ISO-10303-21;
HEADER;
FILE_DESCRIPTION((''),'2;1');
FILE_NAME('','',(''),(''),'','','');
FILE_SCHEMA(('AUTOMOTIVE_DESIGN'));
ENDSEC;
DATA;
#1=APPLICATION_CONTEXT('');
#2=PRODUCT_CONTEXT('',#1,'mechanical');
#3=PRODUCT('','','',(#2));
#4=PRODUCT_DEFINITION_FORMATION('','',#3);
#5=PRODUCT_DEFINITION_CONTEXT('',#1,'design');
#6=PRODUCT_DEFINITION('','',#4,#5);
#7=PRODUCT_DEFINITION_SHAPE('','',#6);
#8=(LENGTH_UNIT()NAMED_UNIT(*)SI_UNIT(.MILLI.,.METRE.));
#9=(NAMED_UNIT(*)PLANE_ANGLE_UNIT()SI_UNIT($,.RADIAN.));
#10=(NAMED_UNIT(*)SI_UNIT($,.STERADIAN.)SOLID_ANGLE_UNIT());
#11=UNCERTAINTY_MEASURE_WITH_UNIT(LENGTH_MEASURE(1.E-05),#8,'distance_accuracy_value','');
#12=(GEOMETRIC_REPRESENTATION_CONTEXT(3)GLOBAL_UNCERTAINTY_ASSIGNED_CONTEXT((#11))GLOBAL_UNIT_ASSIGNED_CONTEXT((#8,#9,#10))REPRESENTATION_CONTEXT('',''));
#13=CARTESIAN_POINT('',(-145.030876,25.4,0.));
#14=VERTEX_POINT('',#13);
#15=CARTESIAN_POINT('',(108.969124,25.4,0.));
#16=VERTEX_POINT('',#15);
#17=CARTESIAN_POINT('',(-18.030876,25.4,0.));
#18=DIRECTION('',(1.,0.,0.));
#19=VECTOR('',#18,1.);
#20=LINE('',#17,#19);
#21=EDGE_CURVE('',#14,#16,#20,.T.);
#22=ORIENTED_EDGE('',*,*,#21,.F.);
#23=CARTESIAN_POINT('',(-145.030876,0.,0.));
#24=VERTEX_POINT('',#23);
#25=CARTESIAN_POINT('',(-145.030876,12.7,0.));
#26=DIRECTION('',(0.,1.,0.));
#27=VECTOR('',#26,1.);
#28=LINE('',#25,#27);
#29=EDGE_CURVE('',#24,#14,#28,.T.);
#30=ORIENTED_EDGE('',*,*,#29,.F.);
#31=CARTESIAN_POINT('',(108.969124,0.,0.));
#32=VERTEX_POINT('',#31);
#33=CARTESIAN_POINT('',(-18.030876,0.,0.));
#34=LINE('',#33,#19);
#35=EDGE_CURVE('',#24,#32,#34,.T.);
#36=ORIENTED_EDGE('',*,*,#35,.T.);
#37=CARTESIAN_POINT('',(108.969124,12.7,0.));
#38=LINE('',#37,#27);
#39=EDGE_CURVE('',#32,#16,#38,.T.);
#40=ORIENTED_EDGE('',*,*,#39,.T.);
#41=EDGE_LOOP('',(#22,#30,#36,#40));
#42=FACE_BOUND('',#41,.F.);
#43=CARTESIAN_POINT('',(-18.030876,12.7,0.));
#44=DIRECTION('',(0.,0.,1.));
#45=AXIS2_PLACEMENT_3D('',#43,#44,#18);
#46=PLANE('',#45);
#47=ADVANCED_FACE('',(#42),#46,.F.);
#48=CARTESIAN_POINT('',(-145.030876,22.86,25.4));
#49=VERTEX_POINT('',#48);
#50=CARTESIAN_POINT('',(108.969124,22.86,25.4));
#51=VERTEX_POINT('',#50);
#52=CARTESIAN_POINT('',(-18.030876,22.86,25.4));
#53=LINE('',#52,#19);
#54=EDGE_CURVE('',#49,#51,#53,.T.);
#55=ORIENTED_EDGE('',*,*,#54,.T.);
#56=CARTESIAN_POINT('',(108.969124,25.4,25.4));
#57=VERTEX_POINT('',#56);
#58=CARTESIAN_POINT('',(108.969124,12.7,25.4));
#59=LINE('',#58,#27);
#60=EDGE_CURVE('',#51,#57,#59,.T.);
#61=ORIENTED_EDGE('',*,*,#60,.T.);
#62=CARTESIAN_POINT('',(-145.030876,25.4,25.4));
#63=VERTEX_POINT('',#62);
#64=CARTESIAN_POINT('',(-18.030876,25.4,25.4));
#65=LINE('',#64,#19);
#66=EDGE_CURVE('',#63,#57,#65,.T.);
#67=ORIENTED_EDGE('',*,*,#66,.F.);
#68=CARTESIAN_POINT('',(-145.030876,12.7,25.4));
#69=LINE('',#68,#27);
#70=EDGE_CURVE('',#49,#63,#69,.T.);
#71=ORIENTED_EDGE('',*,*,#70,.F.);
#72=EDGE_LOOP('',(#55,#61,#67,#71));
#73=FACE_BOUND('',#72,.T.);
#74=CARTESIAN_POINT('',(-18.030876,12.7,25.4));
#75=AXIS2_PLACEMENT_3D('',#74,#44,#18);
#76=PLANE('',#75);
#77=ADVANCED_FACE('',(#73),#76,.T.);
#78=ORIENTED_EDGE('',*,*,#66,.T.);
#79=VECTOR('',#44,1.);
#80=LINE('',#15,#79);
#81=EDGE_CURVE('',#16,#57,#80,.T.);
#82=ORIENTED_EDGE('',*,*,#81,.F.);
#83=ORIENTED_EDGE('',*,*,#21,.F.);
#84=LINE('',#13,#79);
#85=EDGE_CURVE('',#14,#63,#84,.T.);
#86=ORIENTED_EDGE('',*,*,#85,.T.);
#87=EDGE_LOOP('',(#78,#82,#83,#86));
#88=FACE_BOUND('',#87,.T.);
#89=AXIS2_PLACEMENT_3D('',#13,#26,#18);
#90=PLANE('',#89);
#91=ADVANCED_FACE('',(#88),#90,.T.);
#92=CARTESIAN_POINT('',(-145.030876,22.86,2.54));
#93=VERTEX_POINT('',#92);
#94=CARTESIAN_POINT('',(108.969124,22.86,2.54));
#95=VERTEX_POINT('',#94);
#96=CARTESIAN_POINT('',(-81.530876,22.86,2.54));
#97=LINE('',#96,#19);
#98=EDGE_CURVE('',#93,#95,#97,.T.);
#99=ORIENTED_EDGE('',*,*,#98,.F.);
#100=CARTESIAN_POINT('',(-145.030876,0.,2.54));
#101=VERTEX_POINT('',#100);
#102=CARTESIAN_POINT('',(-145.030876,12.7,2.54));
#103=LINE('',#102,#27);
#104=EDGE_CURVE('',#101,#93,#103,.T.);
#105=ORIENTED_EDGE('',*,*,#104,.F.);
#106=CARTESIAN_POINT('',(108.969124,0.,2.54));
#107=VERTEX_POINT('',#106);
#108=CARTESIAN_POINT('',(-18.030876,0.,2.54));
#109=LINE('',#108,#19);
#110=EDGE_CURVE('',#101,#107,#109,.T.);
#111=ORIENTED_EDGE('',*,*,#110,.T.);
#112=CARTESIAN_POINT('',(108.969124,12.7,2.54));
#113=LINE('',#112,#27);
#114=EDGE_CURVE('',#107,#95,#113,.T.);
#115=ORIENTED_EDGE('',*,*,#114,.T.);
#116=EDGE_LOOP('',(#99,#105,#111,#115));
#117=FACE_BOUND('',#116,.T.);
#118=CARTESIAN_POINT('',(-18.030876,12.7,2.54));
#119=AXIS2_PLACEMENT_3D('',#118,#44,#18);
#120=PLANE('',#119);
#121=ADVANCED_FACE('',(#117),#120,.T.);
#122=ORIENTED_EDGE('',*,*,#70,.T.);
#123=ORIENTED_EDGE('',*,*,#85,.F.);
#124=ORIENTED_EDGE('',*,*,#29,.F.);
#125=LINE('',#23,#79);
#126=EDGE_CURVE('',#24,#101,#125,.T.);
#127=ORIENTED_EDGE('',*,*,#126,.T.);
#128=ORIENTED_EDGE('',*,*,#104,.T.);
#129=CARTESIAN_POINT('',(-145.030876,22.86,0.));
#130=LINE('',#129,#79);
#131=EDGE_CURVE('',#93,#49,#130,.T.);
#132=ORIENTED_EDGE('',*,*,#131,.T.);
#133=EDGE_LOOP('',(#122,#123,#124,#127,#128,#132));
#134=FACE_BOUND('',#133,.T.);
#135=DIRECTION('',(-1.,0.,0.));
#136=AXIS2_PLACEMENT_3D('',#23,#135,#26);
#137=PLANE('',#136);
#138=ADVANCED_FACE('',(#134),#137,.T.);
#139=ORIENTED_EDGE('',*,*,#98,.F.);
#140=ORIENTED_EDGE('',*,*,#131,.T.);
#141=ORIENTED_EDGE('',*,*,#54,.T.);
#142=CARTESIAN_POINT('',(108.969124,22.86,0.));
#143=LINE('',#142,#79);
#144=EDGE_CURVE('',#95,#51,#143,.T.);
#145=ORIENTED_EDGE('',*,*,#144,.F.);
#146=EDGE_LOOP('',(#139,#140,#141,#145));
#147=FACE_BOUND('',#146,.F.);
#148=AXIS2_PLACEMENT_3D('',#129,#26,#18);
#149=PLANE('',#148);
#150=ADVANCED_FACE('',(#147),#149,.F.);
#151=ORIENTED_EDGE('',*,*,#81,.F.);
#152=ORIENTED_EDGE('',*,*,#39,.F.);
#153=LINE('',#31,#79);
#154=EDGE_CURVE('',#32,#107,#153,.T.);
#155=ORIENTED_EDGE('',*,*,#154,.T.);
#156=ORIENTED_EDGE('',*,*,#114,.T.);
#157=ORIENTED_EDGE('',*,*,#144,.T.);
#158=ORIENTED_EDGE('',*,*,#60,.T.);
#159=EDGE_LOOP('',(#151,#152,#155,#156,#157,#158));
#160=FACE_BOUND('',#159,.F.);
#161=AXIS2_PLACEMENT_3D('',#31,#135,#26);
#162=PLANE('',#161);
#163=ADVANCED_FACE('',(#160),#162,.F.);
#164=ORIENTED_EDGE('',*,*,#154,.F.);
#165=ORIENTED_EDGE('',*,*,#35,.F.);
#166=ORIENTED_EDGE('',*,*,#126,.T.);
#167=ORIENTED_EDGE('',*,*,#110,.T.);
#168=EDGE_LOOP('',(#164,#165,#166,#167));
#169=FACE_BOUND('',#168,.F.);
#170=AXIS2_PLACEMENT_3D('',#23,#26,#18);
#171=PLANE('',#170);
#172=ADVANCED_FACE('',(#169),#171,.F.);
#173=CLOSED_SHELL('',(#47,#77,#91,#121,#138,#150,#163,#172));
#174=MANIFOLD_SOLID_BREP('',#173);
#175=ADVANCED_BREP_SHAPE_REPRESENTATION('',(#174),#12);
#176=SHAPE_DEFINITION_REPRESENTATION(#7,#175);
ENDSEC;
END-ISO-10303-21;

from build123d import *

# Parameters (mm, degrees)
F0_W     = 254
F0_H     = 25.4
F1_DEPTH = 25.4
F2_T     = -2.54


with BuildPart() as f1:
    # F0 (on Top) → F1 (new body)
    with BuildSketch(Plane.XY):
        with Locations((-18.030876, 12.7)):
            Rectangle(F0_W, F0_H)
    extrude(amount=F1_DEPTH)

    # F2
    f2_openings = [f1.faces().sort_by_distance(p)[0] for p in [
        (-18.030876, 12.7, 25.4),
        (-18.030876, 0, 12.7),
        (108.969124, 12.7, 12.7),
        (-145.030876, 12.7, 12.7),
    ]]
    offset(amount=F2_T, openings=f2_openings)


solid = f1.part
